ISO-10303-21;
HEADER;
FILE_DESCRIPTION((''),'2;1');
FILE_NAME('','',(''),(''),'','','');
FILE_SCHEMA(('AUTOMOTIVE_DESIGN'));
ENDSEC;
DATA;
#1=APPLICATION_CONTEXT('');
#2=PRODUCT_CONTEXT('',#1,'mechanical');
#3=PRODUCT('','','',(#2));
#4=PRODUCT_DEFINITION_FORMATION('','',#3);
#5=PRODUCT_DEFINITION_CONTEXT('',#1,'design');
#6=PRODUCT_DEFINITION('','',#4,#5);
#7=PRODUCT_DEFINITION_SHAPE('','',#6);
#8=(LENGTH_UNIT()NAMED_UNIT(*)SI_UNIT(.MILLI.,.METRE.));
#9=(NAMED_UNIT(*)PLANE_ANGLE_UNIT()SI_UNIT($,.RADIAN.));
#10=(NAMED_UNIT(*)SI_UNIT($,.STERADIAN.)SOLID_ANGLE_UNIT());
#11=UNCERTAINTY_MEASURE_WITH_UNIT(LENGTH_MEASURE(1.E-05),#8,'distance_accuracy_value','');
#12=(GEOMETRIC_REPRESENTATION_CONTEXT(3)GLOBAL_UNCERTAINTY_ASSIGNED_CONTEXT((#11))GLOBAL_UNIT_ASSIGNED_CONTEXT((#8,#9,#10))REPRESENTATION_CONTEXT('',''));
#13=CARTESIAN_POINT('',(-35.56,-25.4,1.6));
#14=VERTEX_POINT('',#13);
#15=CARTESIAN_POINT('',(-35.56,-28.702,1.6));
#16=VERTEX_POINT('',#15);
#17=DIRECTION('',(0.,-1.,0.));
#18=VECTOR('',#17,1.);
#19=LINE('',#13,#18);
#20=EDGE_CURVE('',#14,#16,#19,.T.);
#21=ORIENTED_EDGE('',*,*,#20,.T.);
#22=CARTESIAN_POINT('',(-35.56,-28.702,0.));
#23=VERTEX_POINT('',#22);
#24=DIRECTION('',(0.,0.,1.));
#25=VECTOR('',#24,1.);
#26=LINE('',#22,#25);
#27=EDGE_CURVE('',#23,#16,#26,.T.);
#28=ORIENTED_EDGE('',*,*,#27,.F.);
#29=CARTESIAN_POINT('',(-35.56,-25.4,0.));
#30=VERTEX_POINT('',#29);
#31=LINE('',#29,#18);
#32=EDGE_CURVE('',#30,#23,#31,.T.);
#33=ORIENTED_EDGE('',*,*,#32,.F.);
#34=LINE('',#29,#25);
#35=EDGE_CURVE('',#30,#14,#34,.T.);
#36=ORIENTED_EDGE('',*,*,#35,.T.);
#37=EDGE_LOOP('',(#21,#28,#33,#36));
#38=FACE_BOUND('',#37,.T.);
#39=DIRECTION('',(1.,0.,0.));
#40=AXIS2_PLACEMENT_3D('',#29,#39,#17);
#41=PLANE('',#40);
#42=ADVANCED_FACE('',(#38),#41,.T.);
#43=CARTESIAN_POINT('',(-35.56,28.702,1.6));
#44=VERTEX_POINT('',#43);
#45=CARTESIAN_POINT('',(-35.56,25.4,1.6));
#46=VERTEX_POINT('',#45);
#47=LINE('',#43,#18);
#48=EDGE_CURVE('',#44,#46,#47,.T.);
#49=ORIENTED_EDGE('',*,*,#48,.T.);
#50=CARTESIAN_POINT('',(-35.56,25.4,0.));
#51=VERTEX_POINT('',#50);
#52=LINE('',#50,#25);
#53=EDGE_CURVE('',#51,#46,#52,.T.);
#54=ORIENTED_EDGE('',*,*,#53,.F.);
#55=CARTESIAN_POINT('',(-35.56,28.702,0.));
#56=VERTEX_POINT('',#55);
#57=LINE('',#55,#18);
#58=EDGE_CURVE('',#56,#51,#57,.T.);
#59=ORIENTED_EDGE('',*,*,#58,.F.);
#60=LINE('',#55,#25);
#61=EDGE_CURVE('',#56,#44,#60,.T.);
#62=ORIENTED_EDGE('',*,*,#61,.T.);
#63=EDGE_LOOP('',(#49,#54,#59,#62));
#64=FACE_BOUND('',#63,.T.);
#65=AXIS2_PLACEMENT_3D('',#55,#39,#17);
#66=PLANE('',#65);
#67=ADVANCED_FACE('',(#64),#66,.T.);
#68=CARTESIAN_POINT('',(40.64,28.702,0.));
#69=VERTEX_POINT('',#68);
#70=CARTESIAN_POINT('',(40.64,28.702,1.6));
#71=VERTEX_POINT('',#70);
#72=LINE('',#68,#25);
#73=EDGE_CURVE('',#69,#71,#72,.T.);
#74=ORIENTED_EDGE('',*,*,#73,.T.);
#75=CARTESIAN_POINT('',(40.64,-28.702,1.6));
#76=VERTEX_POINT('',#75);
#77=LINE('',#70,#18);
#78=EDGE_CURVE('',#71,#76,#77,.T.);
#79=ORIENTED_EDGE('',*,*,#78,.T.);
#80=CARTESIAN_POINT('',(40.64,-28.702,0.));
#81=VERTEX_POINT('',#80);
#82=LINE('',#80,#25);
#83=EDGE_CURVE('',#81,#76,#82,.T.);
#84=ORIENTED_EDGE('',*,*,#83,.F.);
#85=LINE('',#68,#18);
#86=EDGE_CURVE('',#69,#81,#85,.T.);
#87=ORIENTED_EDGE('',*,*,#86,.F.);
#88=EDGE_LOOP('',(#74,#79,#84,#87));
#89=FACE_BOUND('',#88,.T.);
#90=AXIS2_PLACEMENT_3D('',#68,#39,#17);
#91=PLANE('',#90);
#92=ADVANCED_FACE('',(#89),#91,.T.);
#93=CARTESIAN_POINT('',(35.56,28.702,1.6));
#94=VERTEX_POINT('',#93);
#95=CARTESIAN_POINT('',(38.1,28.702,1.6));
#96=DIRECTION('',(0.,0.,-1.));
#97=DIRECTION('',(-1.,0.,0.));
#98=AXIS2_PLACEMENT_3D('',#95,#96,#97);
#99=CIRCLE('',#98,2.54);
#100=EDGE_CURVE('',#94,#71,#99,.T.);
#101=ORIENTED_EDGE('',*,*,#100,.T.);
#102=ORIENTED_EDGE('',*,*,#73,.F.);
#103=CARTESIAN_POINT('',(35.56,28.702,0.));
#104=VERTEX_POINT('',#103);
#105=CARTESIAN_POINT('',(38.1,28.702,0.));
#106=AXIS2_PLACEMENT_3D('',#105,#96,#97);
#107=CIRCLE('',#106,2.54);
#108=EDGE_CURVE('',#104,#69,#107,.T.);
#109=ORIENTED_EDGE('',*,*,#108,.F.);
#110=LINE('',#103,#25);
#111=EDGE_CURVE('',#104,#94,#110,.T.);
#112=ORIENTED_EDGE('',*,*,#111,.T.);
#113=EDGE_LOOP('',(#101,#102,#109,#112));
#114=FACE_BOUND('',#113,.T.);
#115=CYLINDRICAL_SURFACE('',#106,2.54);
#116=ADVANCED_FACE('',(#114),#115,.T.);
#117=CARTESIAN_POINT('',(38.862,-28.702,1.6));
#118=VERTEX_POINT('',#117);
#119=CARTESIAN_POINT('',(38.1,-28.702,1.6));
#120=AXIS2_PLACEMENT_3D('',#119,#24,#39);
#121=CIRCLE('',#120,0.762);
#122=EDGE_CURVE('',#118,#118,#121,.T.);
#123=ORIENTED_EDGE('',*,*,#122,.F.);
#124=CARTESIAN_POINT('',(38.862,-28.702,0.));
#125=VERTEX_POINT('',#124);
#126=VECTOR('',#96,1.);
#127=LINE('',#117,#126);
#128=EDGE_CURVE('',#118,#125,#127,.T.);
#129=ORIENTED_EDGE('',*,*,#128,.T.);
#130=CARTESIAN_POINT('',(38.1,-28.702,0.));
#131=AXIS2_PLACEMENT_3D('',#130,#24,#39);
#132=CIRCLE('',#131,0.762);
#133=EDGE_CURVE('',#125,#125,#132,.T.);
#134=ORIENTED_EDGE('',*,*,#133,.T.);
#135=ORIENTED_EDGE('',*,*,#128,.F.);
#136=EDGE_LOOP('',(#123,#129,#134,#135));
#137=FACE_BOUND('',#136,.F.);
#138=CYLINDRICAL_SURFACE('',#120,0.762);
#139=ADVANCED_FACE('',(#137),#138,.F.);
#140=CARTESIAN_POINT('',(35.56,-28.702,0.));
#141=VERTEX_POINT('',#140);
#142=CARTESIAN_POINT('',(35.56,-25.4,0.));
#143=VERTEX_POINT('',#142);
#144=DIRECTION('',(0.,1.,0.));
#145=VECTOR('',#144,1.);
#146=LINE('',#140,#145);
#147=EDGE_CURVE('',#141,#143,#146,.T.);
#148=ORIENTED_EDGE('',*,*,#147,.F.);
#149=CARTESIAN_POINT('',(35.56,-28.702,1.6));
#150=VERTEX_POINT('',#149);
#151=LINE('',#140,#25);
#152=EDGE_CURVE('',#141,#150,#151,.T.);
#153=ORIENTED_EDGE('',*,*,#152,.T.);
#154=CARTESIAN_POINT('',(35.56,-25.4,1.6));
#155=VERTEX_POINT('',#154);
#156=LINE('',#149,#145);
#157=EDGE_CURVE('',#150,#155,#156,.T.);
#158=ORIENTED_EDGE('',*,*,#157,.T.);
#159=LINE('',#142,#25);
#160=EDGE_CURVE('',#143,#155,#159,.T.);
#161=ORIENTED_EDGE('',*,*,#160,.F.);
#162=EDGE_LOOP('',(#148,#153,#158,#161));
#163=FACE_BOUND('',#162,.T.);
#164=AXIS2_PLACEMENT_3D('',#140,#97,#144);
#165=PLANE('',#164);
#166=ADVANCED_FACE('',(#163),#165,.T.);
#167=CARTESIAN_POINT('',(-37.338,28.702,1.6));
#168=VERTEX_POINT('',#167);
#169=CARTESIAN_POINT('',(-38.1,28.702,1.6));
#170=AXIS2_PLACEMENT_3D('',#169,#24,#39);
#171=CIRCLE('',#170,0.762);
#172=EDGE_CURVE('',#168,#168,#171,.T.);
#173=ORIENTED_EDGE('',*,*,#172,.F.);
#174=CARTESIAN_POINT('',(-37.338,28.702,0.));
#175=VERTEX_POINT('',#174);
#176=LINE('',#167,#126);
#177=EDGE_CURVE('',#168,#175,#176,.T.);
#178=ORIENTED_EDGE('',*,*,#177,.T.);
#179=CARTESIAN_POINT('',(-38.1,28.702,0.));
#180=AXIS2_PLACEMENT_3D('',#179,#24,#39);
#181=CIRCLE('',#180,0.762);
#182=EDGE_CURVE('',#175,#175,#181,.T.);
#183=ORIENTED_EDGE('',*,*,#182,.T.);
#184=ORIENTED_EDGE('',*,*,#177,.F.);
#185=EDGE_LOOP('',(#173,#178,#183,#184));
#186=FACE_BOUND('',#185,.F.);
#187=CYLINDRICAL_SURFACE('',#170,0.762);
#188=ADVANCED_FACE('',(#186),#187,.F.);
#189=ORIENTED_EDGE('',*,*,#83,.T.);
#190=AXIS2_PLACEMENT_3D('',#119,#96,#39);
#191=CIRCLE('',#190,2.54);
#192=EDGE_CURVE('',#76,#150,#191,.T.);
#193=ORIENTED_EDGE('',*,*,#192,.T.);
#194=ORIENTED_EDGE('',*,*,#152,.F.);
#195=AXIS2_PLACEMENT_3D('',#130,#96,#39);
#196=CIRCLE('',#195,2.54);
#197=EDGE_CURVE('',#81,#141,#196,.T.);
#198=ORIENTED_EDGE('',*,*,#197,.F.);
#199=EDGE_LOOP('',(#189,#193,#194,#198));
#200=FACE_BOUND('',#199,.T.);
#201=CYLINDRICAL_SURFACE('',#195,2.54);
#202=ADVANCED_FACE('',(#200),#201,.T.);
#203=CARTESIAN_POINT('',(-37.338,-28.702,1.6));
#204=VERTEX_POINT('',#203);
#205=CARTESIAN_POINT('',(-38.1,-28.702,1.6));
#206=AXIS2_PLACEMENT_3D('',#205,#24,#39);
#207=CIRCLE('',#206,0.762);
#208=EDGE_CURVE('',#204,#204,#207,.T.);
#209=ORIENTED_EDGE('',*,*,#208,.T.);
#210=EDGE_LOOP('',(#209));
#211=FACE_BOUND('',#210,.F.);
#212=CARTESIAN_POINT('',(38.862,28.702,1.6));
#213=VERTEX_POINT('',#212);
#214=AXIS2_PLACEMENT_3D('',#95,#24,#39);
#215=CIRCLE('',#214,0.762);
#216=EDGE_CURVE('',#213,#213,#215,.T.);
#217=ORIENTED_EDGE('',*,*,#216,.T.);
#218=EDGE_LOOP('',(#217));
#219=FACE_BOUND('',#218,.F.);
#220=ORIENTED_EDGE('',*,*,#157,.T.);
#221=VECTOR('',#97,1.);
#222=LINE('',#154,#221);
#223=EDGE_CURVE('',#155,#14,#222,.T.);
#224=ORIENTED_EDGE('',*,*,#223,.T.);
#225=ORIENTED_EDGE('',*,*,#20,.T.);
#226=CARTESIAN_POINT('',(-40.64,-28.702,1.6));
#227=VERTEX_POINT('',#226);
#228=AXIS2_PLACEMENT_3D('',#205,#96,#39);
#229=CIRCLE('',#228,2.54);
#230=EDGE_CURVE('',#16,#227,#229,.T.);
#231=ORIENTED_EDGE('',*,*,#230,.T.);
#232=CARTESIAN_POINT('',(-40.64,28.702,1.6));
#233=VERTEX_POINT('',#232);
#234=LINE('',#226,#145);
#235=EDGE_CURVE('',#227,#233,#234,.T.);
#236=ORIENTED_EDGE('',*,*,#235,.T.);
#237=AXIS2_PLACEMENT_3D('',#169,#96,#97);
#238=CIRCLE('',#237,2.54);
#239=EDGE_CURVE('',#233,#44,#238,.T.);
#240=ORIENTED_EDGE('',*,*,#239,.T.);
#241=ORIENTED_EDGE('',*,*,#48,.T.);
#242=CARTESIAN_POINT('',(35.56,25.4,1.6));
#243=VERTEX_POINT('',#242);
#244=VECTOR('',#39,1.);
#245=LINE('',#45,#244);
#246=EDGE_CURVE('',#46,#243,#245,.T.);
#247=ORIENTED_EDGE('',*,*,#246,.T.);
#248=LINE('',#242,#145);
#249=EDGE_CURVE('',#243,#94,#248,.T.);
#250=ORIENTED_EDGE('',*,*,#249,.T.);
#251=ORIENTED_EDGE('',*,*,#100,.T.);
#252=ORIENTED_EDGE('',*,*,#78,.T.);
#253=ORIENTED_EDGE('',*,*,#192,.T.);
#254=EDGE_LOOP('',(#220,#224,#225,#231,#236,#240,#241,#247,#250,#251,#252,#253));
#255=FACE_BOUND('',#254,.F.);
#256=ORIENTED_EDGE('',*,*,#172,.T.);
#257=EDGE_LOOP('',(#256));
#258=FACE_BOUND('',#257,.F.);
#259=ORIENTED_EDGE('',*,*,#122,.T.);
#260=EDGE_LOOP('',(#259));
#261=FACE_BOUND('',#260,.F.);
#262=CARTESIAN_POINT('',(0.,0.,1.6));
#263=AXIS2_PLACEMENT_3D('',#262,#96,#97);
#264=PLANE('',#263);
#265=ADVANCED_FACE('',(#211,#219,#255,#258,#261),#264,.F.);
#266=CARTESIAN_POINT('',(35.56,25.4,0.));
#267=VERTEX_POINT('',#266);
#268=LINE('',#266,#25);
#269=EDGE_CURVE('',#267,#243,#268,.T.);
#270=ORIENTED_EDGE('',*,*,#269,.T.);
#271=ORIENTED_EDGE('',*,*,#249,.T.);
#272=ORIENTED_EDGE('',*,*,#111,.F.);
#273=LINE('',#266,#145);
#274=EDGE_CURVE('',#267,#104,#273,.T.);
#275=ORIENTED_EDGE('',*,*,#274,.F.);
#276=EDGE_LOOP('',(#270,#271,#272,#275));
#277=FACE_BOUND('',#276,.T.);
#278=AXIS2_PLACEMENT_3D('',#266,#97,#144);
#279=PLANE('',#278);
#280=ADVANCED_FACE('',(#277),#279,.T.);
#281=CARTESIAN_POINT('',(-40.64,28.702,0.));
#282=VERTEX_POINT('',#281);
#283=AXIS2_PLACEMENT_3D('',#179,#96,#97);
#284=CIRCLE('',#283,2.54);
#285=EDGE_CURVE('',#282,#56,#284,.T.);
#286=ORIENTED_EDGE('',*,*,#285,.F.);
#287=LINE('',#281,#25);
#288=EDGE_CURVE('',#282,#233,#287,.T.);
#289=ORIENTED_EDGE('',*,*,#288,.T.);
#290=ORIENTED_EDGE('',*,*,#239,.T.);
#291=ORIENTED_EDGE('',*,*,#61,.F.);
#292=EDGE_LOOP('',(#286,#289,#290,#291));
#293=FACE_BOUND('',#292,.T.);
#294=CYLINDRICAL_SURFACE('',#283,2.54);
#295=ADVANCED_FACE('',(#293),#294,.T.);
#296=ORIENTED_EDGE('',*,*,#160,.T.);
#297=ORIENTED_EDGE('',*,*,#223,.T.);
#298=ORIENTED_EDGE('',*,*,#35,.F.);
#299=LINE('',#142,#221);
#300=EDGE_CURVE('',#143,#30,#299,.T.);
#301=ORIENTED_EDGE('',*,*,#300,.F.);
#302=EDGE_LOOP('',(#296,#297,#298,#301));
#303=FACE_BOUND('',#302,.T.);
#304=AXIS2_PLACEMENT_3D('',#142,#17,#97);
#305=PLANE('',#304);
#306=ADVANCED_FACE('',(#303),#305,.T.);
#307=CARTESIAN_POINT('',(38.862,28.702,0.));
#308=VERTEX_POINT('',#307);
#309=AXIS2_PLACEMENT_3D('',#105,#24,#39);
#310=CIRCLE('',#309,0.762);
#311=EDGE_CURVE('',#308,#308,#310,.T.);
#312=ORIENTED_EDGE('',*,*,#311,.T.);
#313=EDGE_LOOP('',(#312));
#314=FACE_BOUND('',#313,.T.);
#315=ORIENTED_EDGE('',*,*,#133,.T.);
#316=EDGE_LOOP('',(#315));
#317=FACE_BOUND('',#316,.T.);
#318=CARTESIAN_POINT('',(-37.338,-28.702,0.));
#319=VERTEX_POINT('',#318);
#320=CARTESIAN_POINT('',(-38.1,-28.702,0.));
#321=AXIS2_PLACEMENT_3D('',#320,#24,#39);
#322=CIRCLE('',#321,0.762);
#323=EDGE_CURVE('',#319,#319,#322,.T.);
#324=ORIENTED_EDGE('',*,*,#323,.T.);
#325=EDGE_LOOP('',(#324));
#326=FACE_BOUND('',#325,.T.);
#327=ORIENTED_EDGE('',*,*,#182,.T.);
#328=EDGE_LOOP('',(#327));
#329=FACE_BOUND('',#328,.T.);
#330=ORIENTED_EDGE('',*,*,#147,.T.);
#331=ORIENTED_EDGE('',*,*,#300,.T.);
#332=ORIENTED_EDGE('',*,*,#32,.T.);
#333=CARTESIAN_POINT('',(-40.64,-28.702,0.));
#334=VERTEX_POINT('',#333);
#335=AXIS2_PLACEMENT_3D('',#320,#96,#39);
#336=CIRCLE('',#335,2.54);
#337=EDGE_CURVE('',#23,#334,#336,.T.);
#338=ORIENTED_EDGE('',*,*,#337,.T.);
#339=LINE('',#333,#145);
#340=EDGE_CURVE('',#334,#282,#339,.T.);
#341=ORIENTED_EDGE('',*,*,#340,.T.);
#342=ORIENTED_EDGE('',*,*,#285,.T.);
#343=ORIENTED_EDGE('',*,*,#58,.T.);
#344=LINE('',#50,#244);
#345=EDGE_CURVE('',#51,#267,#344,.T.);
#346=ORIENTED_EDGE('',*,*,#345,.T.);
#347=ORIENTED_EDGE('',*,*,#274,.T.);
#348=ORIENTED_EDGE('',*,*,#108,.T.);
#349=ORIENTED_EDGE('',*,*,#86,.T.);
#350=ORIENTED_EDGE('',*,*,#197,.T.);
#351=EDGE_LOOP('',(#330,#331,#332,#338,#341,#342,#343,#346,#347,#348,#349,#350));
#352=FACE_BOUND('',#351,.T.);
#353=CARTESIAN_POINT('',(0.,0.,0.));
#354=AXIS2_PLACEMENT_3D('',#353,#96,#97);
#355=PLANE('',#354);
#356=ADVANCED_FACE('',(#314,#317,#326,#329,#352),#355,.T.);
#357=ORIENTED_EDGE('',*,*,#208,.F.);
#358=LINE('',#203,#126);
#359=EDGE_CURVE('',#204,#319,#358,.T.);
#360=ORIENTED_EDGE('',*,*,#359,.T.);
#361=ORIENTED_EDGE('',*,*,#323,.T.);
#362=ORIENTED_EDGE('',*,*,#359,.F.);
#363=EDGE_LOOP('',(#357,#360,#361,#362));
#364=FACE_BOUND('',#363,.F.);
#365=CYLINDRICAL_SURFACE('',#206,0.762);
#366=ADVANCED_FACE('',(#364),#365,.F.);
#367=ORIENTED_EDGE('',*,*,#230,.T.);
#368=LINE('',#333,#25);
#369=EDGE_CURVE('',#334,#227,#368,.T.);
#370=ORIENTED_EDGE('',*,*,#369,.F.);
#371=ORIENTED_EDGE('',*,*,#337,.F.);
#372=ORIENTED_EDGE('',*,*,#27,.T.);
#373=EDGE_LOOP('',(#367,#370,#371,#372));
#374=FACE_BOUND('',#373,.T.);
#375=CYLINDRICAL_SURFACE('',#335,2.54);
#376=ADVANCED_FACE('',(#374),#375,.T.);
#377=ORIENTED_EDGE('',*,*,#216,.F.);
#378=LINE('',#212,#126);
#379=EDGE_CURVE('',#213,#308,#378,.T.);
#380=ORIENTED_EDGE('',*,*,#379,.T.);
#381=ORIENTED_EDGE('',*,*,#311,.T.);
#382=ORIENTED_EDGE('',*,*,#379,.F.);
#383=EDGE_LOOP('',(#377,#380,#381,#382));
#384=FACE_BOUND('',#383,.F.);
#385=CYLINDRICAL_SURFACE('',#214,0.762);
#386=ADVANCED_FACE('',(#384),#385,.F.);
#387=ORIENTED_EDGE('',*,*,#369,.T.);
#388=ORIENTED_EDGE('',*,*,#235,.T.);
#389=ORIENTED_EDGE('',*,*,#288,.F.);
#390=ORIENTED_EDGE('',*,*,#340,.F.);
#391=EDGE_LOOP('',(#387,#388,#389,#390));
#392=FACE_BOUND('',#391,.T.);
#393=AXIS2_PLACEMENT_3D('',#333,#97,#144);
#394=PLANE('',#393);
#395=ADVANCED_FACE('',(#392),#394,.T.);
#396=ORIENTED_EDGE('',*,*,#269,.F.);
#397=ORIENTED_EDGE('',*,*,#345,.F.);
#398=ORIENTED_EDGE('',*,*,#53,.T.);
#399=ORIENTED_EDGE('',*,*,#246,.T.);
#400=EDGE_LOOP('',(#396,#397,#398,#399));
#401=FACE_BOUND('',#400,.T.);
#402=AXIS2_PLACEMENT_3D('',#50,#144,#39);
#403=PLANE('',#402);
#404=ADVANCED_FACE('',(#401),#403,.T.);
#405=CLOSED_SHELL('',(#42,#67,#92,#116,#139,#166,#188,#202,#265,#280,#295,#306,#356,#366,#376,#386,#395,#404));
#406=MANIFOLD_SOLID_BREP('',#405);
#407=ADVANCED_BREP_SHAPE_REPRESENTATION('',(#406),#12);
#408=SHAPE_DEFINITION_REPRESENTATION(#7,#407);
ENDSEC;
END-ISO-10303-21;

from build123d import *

# Parameters (mm, degrees)
BOSS_EXTRUDE1_DEPTH = 1.6
SKETCH2_R           = 0.762
CUT_EXTRUDE1_DEPTH  = 2.6


with BuildPart() as part:
    # Sketch1 → Boss-Extrude1 (new body)
    with BuildSketch(Plane.XY):
        with BuildLine():
            Line((-35.56, 25.4), (35.56, 25.4))
            Line((35.56, 25.4), (35.56, 28.702))
            ThreePointArc((35.56, 28.702), (38.1, 31.242), (40.64, 28.702))
            Line((40.64, 28.702), (40.64, -28.702))
            ThreePointArc((40.64, -28.702), (38.1, -31.242), (35.56, -28.702))
            Line((35.56, -28.702), (35.56, -25.4))
            Line((35.56, -25.4), (-35.56, -25.4))
            Line((-35.56, -25.4), (-35.56, -28.702))
            ThreePointArc((-35.56, -28.702), (-38.1, -31.242), (-40.64, -28.702))
            Line((-40.64, -28.702), (-40.64, 28.702))
            ThreePointArc((-40.64, 28.702), (-38.1, 31.242), (-35.56, 28.702))
            Line((-35.56, 28.702), (-35.56, 25.4))
        make_face()
    extrude(amount=BOSS_EXTRUDE1_DEPTH)

    # Sketch2 → Cut-Extrude1 (cut, through all)
    with BuildSketch(Plane.XY.offset(1.6)):
        with Locations((38.1, 28.702)):
            Circle(SKETCH2_R)
        with Locations((-38.1, 28.702)):
            Circle(SKETCH2_R)
        with Locations((38.1, -28.702)):
            Circle(SKETCH2_R)
        with Locations((-38.1, -28.702)):
            Circle(SKETCH2_R)
    extrude(amount=-CUT_EXTRUDE1_DEPTH, mode=Mode.SUBTRACT)


solid = part.part
